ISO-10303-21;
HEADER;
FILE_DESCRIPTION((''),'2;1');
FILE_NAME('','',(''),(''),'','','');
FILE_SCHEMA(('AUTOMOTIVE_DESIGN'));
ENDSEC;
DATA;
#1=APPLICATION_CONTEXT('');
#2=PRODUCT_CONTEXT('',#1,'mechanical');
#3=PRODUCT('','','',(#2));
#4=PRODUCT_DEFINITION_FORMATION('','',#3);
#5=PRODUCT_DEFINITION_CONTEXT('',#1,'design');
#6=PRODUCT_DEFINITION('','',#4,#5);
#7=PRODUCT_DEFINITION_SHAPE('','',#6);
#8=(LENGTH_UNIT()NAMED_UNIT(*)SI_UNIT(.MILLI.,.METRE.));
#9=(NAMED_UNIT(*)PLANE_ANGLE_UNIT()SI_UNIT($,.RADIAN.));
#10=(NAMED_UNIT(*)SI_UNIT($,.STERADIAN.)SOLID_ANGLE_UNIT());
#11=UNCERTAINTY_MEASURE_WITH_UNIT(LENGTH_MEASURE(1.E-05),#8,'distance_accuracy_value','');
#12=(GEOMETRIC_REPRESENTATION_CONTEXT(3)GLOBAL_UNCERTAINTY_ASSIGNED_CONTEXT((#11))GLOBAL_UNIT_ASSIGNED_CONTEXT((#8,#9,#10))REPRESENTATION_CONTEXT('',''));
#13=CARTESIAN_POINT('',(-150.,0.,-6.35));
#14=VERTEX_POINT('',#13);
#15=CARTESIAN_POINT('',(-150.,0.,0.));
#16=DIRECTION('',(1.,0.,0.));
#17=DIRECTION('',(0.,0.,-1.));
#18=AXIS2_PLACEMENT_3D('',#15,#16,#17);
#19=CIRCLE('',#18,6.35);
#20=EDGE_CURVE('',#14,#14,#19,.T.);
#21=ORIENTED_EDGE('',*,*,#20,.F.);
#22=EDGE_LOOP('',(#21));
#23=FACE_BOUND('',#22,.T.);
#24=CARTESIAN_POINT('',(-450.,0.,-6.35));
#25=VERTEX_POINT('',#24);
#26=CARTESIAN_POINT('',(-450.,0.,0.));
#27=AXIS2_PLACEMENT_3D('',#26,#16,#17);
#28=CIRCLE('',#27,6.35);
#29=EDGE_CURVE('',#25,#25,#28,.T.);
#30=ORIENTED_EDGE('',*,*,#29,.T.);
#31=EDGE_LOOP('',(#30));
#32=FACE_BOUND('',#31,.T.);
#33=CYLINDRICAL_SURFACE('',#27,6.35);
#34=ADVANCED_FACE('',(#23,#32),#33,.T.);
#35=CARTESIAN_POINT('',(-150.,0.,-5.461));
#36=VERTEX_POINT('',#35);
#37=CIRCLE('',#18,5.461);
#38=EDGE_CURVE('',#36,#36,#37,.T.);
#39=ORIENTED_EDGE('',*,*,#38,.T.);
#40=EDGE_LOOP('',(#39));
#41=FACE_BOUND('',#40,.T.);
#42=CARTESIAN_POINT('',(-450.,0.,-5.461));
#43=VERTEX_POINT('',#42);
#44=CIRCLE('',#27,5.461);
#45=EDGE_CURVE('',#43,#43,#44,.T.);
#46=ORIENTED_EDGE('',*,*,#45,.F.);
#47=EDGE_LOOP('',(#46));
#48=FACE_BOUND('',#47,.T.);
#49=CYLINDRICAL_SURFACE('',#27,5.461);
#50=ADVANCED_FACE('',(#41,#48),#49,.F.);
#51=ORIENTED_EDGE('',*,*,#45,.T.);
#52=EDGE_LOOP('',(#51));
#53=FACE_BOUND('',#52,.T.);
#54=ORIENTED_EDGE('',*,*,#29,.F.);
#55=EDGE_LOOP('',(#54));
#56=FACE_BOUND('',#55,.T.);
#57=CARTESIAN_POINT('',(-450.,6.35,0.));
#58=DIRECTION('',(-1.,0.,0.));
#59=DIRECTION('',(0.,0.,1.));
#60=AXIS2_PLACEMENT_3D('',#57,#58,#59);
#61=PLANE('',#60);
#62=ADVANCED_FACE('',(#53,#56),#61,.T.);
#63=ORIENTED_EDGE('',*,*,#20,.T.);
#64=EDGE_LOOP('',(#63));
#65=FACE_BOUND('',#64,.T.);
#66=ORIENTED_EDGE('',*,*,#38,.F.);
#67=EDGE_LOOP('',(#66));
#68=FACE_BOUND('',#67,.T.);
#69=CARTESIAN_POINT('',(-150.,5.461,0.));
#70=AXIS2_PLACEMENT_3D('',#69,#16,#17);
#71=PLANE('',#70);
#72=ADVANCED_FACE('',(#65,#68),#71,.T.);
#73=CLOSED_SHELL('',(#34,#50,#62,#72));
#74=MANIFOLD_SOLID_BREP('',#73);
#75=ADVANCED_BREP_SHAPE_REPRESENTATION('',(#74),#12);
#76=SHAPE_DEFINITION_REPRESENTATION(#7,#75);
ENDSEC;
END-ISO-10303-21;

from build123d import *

# Parameters (mm, degrees)
SKETCH_1_W = 300
SKETCH_1_H = 0.889


with BuildPart() as part:
    # 草图1 → 旋转1 (revolve)
    with BuildSketch(Plane.XY):
        with Locations((-300, 5.9055)):
            Rectangle(SKETCH_1_W, SKETCH_1_H)
    revolve(axis=Axis((-450, 0, 0), (1, 0, 0)))


solid = part.part
